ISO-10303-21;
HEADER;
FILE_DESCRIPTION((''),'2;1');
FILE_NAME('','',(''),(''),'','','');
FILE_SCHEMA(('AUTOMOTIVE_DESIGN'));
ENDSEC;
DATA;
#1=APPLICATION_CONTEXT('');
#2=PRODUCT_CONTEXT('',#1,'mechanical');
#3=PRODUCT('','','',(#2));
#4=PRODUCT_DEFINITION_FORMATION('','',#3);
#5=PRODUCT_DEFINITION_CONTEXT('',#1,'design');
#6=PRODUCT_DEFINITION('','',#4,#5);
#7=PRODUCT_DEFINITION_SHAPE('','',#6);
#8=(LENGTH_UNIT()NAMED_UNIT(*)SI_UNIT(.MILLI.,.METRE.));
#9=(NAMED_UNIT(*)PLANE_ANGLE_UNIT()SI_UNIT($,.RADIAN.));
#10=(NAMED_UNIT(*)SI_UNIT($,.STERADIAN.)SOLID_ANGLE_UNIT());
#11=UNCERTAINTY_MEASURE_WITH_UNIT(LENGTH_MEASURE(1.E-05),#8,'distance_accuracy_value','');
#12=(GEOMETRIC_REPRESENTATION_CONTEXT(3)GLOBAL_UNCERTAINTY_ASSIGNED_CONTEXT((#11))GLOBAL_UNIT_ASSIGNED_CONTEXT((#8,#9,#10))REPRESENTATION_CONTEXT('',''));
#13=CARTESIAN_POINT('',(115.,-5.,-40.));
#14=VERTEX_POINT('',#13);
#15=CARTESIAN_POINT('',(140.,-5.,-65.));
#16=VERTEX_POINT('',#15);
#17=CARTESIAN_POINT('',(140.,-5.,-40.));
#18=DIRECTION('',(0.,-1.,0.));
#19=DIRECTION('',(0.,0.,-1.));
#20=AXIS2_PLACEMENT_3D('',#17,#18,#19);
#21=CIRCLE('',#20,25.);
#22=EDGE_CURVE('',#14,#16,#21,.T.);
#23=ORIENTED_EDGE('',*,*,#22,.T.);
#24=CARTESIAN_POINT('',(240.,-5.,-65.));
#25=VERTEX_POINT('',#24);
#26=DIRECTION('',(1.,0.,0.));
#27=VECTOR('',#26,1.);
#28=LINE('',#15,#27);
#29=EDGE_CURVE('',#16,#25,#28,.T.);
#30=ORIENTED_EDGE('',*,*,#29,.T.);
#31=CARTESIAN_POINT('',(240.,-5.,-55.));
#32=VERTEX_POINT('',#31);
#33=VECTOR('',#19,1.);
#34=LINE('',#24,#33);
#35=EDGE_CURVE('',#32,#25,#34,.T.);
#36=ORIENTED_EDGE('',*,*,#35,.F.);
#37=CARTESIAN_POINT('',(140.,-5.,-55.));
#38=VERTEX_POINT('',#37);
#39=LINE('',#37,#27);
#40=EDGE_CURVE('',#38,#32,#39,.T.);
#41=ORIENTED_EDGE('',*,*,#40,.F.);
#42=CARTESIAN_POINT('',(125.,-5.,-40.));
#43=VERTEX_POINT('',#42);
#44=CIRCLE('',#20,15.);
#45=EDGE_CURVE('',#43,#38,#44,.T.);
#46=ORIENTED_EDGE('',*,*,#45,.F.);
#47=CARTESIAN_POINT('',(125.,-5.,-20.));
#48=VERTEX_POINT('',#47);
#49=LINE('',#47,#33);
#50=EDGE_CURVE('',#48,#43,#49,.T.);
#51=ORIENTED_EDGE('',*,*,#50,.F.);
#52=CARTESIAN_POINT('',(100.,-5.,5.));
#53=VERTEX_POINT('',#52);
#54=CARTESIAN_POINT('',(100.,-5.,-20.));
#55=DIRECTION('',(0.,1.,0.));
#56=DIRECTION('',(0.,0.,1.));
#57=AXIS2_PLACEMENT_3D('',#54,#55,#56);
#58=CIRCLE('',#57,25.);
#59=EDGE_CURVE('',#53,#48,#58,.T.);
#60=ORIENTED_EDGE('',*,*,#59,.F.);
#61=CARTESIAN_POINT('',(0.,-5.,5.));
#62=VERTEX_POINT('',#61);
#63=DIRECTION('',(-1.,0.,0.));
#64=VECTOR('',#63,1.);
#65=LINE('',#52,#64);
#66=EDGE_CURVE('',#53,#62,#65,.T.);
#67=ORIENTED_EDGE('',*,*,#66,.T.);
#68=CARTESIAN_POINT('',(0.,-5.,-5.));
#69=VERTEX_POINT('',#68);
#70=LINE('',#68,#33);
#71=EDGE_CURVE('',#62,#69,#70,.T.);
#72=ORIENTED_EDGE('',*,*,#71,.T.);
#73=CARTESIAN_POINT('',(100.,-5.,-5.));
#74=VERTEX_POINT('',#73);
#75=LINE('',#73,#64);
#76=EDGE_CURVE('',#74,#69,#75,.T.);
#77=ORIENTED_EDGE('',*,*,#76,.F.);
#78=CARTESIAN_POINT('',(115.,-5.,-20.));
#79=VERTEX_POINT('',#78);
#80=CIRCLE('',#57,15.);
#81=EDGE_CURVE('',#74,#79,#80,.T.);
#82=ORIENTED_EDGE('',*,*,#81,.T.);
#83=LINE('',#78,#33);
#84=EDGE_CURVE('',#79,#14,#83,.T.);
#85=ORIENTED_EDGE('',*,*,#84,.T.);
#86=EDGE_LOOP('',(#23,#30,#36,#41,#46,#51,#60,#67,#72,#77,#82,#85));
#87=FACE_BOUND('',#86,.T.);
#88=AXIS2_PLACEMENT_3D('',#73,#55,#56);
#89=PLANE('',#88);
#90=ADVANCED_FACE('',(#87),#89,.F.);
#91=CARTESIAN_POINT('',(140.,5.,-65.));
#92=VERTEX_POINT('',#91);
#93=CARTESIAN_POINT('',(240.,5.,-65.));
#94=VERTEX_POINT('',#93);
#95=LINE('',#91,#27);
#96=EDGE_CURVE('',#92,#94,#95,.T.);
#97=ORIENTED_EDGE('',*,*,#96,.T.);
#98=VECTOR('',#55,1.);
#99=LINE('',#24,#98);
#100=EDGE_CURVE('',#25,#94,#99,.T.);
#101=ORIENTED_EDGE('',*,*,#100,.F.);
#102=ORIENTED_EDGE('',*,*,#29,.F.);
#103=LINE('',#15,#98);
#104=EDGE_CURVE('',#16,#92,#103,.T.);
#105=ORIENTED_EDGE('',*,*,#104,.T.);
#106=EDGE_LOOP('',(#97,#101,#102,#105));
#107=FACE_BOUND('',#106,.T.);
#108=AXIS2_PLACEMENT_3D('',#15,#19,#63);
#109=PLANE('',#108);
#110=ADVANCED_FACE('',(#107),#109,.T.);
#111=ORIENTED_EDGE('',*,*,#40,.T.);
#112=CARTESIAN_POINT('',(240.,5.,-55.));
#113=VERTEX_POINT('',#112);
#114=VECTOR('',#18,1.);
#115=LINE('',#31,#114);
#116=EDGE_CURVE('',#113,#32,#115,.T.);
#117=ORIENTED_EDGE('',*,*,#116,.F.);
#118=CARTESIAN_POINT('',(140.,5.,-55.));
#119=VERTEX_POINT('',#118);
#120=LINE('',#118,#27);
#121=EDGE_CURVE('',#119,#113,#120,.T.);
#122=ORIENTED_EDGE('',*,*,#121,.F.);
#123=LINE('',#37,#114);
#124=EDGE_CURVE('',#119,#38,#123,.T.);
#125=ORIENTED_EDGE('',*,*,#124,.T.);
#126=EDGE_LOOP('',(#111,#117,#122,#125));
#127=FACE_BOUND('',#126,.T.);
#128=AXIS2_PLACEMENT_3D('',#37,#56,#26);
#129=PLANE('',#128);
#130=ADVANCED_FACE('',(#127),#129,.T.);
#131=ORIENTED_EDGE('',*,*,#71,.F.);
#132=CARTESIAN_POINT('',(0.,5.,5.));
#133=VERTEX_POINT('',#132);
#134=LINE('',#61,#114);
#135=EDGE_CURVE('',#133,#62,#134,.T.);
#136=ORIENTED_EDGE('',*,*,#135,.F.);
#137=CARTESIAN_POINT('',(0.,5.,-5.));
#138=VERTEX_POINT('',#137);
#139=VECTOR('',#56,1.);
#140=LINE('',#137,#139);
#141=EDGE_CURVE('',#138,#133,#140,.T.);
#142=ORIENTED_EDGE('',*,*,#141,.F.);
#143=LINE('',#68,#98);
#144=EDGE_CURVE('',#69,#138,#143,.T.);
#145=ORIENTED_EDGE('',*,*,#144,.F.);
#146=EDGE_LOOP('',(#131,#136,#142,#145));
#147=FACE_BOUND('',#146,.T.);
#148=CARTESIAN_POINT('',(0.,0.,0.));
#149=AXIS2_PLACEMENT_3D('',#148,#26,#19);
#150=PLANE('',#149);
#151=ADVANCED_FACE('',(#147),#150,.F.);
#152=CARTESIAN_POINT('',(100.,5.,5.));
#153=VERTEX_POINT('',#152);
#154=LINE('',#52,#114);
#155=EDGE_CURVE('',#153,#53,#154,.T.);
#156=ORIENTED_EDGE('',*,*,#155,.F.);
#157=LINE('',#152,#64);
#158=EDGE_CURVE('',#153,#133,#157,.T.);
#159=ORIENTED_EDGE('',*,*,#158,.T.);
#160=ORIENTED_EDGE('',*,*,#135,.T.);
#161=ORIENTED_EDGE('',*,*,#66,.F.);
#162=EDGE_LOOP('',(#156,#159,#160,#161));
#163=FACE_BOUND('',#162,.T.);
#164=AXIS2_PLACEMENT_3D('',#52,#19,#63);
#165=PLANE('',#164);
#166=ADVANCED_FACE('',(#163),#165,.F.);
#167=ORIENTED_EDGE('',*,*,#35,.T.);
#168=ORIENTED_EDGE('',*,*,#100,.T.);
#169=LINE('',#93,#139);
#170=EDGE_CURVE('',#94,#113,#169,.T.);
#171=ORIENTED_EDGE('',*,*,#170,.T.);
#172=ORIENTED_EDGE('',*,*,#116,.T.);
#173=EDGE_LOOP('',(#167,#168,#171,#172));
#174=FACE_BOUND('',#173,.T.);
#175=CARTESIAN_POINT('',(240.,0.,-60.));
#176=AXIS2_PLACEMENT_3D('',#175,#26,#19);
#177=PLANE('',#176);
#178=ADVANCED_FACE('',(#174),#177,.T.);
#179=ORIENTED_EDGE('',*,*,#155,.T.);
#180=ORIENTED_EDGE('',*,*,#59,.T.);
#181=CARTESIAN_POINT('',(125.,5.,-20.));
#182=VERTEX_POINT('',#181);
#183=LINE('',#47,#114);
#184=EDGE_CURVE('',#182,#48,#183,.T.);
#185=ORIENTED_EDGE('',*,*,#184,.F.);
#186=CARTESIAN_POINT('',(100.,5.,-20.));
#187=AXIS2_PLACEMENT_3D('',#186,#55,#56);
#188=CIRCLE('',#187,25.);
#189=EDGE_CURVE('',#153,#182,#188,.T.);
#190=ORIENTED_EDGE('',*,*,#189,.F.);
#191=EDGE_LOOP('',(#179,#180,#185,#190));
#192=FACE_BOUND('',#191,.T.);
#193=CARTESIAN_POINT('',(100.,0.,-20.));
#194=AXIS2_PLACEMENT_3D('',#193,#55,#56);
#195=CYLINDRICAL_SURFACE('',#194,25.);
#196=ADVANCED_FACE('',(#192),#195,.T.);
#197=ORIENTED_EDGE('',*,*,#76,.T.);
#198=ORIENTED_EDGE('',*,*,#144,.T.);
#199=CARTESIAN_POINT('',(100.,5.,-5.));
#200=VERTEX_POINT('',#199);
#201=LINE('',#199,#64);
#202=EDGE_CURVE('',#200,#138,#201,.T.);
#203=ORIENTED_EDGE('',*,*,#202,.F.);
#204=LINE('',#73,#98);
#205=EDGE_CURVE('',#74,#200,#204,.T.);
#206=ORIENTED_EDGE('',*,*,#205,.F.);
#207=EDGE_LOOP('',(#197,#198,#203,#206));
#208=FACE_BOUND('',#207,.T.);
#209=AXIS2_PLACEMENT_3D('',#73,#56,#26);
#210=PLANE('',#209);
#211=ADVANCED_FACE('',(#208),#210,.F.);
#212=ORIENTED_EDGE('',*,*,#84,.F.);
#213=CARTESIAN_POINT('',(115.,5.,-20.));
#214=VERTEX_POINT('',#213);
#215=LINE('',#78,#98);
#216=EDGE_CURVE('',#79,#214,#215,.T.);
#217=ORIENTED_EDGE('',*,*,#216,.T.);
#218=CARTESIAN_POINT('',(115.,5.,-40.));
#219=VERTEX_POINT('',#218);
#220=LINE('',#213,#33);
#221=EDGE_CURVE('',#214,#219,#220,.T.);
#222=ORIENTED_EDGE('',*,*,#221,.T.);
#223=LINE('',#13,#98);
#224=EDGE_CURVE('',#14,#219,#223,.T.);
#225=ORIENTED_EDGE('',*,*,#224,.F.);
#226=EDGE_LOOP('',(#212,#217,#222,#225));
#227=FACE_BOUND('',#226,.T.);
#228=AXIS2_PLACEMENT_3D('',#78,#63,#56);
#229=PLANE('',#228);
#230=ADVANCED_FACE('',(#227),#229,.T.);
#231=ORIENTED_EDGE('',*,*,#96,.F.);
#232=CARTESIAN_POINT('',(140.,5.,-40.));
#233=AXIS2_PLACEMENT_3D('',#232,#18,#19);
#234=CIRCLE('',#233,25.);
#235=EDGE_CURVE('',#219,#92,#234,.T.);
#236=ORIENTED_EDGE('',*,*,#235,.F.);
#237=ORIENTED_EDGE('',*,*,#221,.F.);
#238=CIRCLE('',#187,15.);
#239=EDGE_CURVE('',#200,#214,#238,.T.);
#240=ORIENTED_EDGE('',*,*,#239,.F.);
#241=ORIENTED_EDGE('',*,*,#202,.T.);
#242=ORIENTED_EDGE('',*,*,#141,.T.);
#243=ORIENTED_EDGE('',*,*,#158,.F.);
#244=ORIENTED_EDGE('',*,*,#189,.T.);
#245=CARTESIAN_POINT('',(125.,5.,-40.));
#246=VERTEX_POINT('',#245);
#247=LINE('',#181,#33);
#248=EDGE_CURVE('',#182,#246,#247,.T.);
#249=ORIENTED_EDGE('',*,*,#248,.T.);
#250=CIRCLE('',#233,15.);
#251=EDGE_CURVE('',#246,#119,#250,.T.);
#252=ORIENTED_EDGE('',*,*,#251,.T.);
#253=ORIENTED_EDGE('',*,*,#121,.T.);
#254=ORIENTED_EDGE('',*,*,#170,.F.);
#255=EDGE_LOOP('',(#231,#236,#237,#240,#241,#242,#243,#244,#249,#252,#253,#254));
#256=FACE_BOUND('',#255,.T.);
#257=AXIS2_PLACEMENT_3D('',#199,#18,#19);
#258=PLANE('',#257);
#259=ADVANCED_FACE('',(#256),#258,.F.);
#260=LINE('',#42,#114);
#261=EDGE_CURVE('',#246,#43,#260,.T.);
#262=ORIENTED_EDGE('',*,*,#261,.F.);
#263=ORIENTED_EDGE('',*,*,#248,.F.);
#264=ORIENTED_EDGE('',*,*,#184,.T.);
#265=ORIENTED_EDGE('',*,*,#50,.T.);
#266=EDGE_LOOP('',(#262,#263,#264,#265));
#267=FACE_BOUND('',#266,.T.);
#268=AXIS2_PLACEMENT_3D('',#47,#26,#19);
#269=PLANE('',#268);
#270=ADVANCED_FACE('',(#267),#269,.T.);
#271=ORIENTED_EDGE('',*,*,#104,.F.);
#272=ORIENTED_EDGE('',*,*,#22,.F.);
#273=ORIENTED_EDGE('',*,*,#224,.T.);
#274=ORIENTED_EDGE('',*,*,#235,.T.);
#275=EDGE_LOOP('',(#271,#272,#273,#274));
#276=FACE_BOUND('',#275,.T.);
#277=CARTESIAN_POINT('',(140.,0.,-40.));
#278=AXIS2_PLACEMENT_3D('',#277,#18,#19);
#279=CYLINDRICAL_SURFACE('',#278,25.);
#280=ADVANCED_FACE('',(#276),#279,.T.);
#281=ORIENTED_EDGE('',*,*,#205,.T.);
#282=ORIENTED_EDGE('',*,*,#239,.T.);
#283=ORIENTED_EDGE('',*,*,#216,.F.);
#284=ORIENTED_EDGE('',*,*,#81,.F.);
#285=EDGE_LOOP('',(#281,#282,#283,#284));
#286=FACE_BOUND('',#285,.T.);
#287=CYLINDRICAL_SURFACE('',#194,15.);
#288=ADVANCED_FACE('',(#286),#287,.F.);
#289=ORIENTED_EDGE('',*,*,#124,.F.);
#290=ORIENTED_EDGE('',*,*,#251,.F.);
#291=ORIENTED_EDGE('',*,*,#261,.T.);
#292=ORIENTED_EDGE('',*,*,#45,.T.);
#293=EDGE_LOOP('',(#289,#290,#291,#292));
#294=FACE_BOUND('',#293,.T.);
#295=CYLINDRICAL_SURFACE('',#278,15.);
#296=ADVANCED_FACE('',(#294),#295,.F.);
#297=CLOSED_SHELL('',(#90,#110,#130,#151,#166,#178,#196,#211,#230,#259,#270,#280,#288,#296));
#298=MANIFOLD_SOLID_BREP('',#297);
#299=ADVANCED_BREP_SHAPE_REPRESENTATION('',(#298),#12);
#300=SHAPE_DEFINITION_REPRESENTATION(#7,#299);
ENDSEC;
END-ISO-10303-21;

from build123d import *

# Parameters (mm, degrees)
SKETCH3_W = 10
SKETCH3_H = 10


with BuildPart() as part:
    # Sweep3: sweep along a path in Sketch1
    with BuildLine(Plane(origin=(0, 0, 0), x_dir=(1, 0, 0), z_dir=(0, 1, 0))) as sweep3_path:
        Line((0, 0), (100, 0))
        ThreePointArc((100, 0), (114.142135624, 5.857864376), (120, 20))
        Line((120, 20), (120, 40))
        ThreePointArc((120, 40), (125.857864376, 54.142135624), (140, 60))
        Line((140, 60), (240, 60))
    # Sketch3 → Sweep3 (sweep)
    with BuildSketch(Plane(origin=(0, 0, 0), x_dir=(0, 0, -1), z_dir=(1, 0, 0))):
        Rectangle(SKETCH3_W, SKETCH3_H)
    sweep(path=sweep3_path.line)


solid = part.part
